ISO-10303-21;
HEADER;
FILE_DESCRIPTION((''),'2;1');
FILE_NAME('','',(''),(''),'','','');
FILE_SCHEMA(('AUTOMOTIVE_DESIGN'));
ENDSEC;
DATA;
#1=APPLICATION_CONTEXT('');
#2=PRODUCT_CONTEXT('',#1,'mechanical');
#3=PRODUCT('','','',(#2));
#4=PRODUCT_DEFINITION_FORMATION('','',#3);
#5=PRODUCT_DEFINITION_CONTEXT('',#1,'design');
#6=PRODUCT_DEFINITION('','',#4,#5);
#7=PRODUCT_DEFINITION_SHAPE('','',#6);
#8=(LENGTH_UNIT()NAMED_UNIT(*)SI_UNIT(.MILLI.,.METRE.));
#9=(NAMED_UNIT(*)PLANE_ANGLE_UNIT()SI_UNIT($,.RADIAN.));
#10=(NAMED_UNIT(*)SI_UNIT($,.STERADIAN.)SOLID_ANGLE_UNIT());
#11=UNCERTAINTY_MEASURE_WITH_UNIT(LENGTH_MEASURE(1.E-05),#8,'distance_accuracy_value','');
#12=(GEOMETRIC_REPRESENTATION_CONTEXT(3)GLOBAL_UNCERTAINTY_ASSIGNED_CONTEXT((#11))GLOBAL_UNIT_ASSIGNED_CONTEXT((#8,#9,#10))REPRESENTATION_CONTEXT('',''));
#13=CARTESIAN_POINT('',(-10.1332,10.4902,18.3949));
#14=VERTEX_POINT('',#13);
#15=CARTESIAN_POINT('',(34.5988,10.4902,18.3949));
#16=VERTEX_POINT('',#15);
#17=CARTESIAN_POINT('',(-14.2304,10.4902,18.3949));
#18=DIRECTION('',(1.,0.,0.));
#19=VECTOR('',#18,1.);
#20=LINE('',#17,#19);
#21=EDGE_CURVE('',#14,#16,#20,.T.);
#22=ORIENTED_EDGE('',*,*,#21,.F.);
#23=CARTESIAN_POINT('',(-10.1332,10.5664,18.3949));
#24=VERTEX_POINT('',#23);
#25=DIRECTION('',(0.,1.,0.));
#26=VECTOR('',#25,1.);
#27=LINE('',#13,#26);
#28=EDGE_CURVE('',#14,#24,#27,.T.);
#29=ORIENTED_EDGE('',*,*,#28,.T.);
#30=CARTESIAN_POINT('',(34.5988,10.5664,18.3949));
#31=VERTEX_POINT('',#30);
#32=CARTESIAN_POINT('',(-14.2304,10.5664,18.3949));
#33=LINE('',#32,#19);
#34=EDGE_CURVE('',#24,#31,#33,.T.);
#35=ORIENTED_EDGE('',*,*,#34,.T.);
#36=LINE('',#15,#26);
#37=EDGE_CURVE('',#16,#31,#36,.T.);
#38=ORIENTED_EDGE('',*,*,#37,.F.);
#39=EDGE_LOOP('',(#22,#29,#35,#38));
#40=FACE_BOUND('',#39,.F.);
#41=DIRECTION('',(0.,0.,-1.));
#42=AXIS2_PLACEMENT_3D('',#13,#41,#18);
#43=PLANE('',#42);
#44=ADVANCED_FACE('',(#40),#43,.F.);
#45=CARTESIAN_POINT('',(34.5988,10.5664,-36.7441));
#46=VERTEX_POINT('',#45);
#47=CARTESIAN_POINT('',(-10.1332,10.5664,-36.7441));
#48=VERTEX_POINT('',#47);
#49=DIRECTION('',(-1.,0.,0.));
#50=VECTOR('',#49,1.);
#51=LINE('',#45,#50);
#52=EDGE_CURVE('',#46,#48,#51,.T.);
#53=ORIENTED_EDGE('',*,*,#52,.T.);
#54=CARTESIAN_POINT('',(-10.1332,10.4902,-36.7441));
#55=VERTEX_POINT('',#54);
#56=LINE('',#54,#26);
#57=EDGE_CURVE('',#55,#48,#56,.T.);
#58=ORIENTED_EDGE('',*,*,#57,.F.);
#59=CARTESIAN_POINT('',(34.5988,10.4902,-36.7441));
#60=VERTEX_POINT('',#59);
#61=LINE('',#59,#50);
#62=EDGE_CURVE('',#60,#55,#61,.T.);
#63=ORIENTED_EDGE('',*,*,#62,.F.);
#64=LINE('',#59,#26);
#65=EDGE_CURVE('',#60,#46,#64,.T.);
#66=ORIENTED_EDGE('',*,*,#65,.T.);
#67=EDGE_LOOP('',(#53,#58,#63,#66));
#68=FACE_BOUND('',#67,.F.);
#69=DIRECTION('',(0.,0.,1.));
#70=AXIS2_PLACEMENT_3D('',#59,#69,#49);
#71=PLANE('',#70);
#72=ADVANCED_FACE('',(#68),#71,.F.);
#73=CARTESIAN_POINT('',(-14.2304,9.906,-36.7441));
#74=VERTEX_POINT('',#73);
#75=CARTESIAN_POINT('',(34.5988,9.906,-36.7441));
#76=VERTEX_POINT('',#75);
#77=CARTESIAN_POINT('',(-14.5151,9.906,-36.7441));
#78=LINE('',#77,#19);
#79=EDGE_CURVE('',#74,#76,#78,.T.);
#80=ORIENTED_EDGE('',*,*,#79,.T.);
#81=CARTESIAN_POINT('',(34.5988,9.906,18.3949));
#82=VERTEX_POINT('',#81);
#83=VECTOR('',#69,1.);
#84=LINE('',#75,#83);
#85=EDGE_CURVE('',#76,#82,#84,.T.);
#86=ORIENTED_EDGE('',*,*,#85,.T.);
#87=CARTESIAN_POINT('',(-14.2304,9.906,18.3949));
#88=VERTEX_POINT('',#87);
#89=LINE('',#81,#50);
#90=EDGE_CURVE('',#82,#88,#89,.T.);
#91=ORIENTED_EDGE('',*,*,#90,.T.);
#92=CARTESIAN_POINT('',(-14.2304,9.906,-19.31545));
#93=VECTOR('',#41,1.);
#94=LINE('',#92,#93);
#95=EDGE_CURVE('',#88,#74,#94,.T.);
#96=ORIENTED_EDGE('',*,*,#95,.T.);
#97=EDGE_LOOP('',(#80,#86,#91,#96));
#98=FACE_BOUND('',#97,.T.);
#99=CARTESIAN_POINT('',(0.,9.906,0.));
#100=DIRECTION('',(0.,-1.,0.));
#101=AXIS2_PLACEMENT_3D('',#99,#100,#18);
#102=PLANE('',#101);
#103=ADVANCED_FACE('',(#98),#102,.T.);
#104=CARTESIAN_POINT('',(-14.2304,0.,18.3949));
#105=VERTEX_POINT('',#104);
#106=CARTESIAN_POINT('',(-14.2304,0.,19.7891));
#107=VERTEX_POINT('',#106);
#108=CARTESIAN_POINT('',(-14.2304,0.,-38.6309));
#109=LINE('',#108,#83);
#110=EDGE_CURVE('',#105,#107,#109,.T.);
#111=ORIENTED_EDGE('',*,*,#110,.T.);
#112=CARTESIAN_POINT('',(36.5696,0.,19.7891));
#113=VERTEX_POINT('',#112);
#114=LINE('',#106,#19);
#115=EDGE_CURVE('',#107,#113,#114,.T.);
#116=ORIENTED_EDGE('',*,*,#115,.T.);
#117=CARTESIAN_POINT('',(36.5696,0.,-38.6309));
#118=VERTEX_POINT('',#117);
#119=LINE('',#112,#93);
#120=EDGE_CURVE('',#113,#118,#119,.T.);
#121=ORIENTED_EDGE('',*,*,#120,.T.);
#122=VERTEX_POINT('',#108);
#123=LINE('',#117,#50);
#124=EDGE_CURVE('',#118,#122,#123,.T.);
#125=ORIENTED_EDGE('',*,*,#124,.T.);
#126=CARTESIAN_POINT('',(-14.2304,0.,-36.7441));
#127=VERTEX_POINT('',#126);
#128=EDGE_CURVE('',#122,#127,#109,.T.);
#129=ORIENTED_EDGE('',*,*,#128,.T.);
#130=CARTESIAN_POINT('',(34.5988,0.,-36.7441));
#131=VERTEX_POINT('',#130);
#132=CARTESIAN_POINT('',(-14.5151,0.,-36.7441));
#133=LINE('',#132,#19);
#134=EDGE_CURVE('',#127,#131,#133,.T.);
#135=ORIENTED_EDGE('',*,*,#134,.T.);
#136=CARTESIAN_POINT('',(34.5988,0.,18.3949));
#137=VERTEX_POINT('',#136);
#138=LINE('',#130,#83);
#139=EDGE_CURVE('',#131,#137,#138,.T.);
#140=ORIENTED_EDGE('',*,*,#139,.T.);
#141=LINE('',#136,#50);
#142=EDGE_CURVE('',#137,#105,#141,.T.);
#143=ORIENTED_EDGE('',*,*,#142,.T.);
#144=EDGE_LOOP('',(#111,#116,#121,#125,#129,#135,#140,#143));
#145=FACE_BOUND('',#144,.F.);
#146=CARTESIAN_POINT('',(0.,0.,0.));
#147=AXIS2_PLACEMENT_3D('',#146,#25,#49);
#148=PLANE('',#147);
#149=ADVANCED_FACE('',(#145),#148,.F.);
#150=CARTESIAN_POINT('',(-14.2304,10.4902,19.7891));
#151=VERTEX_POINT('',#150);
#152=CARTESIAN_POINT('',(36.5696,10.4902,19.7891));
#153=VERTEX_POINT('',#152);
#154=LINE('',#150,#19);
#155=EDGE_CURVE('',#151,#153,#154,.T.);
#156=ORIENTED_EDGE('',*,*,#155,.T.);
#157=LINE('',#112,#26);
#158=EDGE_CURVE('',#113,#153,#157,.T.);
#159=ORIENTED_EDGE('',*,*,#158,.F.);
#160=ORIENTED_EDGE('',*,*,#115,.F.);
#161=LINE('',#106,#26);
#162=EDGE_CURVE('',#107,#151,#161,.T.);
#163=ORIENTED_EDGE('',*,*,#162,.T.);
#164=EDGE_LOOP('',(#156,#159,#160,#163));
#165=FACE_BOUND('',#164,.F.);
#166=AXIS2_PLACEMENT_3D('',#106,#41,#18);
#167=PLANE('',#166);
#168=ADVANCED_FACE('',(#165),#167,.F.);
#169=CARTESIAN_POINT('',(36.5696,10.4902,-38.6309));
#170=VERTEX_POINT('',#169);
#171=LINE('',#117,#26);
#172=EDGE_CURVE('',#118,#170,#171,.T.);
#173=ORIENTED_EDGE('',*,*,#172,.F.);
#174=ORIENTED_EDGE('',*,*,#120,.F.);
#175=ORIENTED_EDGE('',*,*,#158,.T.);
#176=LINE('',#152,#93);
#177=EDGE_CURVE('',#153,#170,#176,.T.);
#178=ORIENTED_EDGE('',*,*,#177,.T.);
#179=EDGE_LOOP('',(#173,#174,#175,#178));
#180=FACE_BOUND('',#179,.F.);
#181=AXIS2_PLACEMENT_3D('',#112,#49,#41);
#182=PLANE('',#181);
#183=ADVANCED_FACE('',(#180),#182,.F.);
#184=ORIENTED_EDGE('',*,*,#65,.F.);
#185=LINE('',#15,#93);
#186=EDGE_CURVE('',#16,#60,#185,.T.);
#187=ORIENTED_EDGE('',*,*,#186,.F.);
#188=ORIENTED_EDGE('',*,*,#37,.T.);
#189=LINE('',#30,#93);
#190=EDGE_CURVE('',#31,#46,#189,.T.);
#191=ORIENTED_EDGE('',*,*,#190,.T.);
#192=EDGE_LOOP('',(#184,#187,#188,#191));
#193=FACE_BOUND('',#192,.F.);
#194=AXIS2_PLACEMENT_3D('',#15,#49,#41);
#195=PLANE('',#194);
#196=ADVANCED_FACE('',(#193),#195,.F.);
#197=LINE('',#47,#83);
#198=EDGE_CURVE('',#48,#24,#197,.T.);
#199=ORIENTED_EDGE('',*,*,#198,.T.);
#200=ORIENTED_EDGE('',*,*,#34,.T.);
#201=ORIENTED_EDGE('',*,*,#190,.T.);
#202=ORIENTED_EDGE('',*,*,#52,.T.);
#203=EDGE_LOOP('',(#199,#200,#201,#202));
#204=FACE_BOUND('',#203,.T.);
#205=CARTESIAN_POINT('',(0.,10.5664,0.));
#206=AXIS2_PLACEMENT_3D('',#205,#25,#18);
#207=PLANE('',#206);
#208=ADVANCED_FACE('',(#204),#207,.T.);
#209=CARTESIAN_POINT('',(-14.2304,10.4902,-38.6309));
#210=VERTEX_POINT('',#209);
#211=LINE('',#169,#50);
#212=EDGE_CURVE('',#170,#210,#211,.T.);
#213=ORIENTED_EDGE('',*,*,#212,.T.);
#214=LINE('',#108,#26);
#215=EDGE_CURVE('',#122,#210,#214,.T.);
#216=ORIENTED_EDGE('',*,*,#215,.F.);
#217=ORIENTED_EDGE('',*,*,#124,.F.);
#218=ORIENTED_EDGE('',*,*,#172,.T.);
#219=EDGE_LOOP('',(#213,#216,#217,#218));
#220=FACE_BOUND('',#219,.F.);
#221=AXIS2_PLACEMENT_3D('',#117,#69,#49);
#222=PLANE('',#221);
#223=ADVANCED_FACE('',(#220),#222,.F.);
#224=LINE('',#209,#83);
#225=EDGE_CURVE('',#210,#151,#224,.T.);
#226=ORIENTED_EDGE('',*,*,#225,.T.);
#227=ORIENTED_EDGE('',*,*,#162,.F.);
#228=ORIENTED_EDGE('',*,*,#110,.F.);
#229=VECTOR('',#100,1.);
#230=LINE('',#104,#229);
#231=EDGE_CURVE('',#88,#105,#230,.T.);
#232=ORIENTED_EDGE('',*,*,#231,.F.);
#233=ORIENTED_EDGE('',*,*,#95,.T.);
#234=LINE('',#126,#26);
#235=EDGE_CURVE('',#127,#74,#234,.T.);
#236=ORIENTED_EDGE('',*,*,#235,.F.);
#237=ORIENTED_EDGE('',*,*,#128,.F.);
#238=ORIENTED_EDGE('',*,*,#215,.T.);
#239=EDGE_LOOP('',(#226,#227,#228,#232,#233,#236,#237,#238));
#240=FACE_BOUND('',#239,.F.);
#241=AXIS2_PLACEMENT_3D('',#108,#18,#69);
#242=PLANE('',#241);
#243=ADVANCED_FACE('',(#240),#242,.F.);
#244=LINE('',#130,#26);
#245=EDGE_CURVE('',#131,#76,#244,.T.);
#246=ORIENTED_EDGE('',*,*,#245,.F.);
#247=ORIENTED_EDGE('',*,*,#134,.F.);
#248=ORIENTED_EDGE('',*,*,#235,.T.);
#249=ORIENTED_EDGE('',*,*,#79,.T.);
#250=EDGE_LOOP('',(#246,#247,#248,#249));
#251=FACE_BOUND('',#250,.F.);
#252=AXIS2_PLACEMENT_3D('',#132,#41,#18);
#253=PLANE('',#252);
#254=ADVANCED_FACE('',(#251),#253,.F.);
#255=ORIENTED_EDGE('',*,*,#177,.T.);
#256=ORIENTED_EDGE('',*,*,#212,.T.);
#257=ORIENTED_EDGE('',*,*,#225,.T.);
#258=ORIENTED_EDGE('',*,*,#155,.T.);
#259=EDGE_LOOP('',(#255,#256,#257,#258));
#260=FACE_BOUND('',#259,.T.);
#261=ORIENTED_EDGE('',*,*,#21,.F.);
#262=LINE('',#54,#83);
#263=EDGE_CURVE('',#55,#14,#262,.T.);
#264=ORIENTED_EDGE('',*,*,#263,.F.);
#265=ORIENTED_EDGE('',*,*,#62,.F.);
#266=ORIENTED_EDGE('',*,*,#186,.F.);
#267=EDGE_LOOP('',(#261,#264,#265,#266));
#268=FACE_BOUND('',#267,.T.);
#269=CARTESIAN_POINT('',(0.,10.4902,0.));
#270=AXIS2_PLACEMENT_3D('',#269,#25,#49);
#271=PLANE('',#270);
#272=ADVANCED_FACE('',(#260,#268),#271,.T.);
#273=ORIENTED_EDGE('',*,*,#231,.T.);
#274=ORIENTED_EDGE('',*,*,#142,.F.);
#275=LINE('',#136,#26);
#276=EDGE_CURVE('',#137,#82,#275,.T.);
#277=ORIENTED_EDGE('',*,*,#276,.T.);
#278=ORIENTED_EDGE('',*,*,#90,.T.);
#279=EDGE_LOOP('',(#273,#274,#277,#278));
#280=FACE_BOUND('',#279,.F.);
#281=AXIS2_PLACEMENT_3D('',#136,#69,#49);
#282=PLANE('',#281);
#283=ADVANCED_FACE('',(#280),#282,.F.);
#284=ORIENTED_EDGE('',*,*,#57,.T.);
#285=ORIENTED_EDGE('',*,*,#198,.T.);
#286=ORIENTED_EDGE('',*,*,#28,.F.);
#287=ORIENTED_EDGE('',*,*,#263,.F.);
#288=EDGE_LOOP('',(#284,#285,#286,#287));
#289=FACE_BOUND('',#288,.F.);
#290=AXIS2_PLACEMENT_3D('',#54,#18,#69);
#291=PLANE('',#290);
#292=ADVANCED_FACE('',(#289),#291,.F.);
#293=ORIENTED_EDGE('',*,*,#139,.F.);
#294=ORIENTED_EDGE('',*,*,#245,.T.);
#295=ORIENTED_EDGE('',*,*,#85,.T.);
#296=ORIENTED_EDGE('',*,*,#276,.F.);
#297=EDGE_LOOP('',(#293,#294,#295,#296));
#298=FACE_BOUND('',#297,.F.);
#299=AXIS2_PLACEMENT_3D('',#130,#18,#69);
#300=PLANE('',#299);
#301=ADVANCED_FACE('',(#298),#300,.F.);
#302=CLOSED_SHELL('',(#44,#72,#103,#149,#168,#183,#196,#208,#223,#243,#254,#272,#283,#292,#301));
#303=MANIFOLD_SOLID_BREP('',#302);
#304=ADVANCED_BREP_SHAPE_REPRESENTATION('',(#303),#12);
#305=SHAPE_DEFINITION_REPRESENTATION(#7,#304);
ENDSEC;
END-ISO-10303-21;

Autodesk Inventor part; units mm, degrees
ref_plane "YZ Plane" through (0, 0, 0) normal (1, 0, 0) x (0, 1, 0)
ref_plane "XZ Plane" through (0, 0, 0) normal (0, 1, 0) x (-1, 0, 0)
ref_plane "XY Plane" through (0, 0, 0) normal (0, 0, 1) x (1, 0, 0)
sketch "Sketch1" plane through (0, 0, 0) normal (0, 1, 0) x (-1, 0, 0)
  line L0 (14.2304, 19.7891) -> (-36.5696, 19.7891)
  line L1 (-36.5696, 19.7891) -> (-36.5696, -38.6309)
  line L2 (-36.5696, -38.6309) -> (14.2304, -38.6309)
  line L3 (14.2304, -38.6309) -> (14.2304, 19.7891)
  point P0 (0, 0)
  dimension "d0" = 50.8
  dimension "d1" = 58.42
extrude "Extrusion1" add sketch "Sketch1" along normal blind 10.4902
sketch "Sketch2" plane through (0, 0, 0) normal (0, -1, 0) x (1, 0, 0)
  line L0 (34.5988, 18.3949) -> (-14.5151, 18.3949)
  line L1 (-14.5151, 18.3949) -> (-14.5151, -36.7441)
  line L2 (-14.5151, -36.7441) -> (34.5988, -36.7441)
  line L3 (34.5988, -36.7441) -> (34.5988, 18.3949)
  point P0 (0, 0)
extrude "Extrusion2" cut sketch "Sketch2" against normal blind 9.906
sketch "Sketch3" plane through (0, 10.4902, 0) normal (0, 1, 0) x (1, 0, 0)
  line L0 (34.5988, 36.7441) -> (-14.2304, 36.7441) projected
  line L1 (-14.2304, -18.3949) -> (34.5988, -18.3949) projected
  line L2 (34.5988, 36.7441) -> (-10.1332, 36.7441)
  line L3 (-10.1332, 36.7441) -> (-10.1332, -18.3949)
  line L4 (-10.1332, -18.3949) -> (34.5988, -18.3949)
  line L5 (34.5988, -18.3949) -> (34.5988, 36.7441)
  point P0 (0, 0)
extrude "Extrusion3" add sketch "Sketch3" along normal blind 0.0762
properties part number "glasscover" material "Glass"
